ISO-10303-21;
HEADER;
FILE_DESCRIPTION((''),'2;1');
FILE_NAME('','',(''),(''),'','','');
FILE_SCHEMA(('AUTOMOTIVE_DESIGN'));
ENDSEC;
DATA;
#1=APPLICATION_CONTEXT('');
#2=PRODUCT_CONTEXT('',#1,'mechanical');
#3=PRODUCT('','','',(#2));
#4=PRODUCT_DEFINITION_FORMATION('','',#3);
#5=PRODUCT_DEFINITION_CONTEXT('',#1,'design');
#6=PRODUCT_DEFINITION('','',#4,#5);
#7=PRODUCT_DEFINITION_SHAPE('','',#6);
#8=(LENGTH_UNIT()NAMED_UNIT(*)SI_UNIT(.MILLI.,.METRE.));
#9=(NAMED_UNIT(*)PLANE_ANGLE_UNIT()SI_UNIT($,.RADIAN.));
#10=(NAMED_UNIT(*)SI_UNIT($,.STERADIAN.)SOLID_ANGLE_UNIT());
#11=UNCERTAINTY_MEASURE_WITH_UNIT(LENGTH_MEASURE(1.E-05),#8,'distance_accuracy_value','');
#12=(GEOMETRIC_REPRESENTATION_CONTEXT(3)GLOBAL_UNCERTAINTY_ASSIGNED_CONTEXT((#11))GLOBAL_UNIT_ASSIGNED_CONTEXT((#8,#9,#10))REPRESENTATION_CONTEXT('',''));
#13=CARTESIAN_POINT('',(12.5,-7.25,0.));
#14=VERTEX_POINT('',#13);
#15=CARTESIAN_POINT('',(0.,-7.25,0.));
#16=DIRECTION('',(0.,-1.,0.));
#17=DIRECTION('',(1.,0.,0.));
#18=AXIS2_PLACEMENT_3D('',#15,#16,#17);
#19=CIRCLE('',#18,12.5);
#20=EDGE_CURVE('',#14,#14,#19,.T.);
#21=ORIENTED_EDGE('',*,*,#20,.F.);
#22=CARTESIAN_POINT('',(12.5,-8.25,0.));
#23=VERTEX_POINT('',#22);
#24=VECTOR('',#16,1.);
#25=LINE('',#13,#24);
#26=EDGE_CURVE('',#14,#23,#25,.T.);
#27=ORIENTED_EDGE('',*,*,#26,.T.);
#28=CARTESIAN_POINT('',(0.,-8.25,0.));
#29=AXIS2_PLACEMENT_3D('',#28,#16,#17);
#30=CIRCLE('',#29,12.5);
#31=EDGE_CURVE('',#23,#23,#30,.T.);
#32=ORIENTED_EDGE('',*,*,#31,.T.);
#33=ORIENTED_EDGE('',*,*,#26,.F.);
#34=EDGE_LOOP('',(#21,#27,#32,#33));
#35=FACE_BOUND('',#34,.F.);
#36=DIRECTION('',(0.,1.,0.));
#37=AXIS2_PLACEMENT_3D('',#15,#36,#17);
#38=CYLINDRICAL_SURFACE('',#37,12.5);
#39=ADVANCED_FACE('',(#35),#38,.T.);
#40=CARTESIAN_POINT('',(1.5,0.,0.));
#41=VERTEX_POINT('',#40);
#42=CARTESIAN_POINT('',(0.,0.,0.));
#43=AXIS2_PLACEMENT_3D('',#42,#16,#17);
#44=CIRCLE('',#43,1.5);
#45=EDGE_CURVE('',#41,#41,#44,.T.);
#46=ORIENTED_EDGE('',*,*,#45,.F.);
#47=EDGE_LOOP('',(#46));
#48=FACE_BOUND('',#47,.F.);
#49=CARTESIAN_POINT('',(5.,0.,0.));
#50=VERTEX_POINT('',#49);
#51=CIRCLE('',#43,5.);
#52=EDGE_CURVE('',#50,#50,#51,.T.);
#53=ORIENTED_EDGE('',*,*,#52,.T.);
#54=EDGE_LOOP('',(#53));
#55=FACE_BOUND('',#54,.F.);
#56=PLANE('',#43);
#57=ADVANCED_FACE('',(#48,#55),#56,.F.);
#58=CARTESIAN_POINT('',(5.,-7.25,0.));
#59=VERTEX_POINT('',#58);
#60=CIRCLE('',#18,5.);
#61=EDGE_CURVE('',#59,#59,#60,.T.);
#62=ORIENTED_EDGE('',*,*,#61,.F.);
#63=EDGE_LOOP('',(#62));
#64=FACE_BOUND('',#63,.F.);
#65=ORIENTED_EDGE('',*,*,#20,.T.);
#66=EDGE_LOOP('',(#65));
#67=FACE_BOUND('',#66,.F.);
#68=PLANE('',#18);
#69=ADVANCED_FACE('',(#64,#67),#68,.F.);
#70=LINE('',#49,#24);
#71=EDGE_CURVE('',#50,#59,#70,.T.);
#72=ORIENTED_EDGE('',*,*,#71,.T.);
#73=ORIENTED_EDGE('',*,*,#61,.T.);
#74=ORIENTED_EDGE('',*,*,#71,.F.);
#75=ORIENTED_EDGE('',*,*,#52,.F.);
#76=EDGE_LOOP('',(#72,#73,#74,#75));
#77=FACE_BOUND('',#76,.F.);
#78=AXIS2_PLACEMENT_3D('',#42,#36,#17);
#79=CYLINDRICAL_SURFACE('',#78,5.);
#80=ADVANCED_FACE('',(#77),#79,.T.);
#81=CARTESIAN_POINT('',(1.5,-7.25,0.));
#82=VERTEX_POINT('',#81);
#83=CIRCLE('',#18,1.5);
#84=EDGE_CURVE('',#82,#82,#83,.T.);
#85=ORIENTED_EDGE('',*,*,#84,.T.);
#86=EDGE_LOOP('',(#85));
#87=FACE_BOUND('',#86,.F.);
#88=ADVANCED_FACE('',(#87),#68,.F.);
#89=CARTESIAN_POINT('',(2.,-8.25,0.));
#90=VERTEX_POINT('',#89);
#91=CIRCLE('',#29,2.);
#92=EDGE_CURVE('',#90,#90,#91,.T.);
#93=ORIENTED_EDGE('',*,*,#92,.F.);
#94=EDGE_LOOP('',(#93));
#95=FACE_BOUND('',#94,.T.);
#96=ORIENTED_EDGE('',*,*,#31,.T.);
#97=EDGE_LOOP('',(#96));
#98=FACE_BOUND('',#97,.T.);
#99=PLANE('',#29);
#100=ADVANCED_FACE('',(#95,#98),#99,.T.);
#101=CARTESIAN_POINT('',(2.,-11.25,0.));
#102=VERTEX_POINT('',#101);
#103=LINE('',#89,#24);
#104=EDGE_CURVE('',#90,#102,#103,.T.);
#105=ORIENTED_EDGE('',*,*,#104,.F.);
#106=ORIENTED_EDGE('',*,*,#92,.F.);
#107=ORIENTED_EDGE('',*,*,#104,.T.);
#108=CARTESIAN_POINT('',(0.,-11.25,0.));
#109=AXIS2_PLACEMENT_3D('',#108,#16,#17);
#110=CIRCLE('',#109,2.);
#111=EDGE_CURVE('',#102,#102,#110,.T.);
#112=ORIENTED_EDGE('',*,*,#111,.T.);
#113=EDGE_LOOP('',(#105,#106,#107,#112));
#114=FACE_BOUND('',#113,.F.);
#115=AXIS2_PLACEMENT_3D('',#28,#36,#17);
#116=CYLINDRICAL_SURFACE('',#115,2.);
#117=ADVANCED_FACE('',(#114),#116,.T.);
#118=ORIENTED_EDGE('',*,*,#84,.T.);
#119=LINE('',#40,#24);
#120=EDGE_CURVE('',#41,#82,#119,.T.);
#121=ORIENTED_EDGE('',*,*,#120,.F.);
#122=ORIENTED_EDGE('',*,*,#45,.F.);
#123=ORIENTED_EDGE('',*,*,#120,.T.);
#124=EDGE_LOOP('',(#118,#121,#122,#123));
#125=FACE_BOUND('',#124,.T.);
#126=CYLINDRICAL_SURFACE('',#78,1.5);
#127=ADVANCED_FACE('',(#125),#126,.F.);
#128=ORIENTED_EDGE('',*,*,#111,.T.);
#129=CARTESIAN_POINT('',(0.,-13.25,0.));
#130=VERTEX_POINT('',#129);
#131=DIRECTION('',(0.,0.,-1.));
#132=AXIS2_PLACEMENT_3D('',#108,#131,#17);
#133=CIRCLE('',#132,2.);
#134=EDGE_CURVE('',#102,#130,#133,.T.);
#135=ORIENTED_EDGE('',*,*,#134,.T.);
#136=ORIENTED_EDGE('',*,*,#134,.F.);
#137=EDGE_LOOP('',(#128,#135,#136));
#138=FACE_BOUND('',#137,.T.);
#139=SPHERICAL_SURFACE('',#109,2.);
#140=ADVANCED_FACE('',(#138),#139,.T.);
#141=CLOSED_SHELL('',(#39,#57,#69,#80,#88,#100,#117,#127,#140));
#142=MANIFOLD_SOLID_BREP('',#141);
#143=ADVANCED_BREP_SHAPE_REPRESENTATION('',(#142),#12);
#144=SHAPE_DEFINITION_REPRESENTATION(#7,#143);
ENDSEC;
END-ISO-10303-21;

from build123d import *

# Parameters (mm, degrees)
F0_R     = 5
F0_R_2   = 1.5
F1_DEPTH = 7.25
F2_R     = 12.5
F3_DEPTH = 1
F4_R     = 2
F5_DEPTH = 5
F6_R     = 2


with BuildPart() as f1:
    # F0 (on Front) → F1 (new body)
    with BuildSketch(Plane.XZ):
        Circle(F0_R)
        Circle(F0_R_2, mode=Mode.SUBTRACT)
    extrude(amount=F1_DEPTH)

    # F2 (on face) → F3 (join)
    with BuildSketch(Plane.XZ.offset(7.25)):
        Circle(F2_R)
    extrude(amount=F3_DEPTH)

    # F4 (on face) → F5 (join)
    with BuildSketch(Plane.XZ.offset(8.25)):
        Circle(F4_R)
    extrude(amount=F5_DEPTH)

    # F6
    f6_edges = [f1.edges().sort_by_distance(p)[0] for p in [
        (-2, -13.25, 0),
    ]]
    fillet(f6_edges, radius=F6_R)


solid = f1.part
